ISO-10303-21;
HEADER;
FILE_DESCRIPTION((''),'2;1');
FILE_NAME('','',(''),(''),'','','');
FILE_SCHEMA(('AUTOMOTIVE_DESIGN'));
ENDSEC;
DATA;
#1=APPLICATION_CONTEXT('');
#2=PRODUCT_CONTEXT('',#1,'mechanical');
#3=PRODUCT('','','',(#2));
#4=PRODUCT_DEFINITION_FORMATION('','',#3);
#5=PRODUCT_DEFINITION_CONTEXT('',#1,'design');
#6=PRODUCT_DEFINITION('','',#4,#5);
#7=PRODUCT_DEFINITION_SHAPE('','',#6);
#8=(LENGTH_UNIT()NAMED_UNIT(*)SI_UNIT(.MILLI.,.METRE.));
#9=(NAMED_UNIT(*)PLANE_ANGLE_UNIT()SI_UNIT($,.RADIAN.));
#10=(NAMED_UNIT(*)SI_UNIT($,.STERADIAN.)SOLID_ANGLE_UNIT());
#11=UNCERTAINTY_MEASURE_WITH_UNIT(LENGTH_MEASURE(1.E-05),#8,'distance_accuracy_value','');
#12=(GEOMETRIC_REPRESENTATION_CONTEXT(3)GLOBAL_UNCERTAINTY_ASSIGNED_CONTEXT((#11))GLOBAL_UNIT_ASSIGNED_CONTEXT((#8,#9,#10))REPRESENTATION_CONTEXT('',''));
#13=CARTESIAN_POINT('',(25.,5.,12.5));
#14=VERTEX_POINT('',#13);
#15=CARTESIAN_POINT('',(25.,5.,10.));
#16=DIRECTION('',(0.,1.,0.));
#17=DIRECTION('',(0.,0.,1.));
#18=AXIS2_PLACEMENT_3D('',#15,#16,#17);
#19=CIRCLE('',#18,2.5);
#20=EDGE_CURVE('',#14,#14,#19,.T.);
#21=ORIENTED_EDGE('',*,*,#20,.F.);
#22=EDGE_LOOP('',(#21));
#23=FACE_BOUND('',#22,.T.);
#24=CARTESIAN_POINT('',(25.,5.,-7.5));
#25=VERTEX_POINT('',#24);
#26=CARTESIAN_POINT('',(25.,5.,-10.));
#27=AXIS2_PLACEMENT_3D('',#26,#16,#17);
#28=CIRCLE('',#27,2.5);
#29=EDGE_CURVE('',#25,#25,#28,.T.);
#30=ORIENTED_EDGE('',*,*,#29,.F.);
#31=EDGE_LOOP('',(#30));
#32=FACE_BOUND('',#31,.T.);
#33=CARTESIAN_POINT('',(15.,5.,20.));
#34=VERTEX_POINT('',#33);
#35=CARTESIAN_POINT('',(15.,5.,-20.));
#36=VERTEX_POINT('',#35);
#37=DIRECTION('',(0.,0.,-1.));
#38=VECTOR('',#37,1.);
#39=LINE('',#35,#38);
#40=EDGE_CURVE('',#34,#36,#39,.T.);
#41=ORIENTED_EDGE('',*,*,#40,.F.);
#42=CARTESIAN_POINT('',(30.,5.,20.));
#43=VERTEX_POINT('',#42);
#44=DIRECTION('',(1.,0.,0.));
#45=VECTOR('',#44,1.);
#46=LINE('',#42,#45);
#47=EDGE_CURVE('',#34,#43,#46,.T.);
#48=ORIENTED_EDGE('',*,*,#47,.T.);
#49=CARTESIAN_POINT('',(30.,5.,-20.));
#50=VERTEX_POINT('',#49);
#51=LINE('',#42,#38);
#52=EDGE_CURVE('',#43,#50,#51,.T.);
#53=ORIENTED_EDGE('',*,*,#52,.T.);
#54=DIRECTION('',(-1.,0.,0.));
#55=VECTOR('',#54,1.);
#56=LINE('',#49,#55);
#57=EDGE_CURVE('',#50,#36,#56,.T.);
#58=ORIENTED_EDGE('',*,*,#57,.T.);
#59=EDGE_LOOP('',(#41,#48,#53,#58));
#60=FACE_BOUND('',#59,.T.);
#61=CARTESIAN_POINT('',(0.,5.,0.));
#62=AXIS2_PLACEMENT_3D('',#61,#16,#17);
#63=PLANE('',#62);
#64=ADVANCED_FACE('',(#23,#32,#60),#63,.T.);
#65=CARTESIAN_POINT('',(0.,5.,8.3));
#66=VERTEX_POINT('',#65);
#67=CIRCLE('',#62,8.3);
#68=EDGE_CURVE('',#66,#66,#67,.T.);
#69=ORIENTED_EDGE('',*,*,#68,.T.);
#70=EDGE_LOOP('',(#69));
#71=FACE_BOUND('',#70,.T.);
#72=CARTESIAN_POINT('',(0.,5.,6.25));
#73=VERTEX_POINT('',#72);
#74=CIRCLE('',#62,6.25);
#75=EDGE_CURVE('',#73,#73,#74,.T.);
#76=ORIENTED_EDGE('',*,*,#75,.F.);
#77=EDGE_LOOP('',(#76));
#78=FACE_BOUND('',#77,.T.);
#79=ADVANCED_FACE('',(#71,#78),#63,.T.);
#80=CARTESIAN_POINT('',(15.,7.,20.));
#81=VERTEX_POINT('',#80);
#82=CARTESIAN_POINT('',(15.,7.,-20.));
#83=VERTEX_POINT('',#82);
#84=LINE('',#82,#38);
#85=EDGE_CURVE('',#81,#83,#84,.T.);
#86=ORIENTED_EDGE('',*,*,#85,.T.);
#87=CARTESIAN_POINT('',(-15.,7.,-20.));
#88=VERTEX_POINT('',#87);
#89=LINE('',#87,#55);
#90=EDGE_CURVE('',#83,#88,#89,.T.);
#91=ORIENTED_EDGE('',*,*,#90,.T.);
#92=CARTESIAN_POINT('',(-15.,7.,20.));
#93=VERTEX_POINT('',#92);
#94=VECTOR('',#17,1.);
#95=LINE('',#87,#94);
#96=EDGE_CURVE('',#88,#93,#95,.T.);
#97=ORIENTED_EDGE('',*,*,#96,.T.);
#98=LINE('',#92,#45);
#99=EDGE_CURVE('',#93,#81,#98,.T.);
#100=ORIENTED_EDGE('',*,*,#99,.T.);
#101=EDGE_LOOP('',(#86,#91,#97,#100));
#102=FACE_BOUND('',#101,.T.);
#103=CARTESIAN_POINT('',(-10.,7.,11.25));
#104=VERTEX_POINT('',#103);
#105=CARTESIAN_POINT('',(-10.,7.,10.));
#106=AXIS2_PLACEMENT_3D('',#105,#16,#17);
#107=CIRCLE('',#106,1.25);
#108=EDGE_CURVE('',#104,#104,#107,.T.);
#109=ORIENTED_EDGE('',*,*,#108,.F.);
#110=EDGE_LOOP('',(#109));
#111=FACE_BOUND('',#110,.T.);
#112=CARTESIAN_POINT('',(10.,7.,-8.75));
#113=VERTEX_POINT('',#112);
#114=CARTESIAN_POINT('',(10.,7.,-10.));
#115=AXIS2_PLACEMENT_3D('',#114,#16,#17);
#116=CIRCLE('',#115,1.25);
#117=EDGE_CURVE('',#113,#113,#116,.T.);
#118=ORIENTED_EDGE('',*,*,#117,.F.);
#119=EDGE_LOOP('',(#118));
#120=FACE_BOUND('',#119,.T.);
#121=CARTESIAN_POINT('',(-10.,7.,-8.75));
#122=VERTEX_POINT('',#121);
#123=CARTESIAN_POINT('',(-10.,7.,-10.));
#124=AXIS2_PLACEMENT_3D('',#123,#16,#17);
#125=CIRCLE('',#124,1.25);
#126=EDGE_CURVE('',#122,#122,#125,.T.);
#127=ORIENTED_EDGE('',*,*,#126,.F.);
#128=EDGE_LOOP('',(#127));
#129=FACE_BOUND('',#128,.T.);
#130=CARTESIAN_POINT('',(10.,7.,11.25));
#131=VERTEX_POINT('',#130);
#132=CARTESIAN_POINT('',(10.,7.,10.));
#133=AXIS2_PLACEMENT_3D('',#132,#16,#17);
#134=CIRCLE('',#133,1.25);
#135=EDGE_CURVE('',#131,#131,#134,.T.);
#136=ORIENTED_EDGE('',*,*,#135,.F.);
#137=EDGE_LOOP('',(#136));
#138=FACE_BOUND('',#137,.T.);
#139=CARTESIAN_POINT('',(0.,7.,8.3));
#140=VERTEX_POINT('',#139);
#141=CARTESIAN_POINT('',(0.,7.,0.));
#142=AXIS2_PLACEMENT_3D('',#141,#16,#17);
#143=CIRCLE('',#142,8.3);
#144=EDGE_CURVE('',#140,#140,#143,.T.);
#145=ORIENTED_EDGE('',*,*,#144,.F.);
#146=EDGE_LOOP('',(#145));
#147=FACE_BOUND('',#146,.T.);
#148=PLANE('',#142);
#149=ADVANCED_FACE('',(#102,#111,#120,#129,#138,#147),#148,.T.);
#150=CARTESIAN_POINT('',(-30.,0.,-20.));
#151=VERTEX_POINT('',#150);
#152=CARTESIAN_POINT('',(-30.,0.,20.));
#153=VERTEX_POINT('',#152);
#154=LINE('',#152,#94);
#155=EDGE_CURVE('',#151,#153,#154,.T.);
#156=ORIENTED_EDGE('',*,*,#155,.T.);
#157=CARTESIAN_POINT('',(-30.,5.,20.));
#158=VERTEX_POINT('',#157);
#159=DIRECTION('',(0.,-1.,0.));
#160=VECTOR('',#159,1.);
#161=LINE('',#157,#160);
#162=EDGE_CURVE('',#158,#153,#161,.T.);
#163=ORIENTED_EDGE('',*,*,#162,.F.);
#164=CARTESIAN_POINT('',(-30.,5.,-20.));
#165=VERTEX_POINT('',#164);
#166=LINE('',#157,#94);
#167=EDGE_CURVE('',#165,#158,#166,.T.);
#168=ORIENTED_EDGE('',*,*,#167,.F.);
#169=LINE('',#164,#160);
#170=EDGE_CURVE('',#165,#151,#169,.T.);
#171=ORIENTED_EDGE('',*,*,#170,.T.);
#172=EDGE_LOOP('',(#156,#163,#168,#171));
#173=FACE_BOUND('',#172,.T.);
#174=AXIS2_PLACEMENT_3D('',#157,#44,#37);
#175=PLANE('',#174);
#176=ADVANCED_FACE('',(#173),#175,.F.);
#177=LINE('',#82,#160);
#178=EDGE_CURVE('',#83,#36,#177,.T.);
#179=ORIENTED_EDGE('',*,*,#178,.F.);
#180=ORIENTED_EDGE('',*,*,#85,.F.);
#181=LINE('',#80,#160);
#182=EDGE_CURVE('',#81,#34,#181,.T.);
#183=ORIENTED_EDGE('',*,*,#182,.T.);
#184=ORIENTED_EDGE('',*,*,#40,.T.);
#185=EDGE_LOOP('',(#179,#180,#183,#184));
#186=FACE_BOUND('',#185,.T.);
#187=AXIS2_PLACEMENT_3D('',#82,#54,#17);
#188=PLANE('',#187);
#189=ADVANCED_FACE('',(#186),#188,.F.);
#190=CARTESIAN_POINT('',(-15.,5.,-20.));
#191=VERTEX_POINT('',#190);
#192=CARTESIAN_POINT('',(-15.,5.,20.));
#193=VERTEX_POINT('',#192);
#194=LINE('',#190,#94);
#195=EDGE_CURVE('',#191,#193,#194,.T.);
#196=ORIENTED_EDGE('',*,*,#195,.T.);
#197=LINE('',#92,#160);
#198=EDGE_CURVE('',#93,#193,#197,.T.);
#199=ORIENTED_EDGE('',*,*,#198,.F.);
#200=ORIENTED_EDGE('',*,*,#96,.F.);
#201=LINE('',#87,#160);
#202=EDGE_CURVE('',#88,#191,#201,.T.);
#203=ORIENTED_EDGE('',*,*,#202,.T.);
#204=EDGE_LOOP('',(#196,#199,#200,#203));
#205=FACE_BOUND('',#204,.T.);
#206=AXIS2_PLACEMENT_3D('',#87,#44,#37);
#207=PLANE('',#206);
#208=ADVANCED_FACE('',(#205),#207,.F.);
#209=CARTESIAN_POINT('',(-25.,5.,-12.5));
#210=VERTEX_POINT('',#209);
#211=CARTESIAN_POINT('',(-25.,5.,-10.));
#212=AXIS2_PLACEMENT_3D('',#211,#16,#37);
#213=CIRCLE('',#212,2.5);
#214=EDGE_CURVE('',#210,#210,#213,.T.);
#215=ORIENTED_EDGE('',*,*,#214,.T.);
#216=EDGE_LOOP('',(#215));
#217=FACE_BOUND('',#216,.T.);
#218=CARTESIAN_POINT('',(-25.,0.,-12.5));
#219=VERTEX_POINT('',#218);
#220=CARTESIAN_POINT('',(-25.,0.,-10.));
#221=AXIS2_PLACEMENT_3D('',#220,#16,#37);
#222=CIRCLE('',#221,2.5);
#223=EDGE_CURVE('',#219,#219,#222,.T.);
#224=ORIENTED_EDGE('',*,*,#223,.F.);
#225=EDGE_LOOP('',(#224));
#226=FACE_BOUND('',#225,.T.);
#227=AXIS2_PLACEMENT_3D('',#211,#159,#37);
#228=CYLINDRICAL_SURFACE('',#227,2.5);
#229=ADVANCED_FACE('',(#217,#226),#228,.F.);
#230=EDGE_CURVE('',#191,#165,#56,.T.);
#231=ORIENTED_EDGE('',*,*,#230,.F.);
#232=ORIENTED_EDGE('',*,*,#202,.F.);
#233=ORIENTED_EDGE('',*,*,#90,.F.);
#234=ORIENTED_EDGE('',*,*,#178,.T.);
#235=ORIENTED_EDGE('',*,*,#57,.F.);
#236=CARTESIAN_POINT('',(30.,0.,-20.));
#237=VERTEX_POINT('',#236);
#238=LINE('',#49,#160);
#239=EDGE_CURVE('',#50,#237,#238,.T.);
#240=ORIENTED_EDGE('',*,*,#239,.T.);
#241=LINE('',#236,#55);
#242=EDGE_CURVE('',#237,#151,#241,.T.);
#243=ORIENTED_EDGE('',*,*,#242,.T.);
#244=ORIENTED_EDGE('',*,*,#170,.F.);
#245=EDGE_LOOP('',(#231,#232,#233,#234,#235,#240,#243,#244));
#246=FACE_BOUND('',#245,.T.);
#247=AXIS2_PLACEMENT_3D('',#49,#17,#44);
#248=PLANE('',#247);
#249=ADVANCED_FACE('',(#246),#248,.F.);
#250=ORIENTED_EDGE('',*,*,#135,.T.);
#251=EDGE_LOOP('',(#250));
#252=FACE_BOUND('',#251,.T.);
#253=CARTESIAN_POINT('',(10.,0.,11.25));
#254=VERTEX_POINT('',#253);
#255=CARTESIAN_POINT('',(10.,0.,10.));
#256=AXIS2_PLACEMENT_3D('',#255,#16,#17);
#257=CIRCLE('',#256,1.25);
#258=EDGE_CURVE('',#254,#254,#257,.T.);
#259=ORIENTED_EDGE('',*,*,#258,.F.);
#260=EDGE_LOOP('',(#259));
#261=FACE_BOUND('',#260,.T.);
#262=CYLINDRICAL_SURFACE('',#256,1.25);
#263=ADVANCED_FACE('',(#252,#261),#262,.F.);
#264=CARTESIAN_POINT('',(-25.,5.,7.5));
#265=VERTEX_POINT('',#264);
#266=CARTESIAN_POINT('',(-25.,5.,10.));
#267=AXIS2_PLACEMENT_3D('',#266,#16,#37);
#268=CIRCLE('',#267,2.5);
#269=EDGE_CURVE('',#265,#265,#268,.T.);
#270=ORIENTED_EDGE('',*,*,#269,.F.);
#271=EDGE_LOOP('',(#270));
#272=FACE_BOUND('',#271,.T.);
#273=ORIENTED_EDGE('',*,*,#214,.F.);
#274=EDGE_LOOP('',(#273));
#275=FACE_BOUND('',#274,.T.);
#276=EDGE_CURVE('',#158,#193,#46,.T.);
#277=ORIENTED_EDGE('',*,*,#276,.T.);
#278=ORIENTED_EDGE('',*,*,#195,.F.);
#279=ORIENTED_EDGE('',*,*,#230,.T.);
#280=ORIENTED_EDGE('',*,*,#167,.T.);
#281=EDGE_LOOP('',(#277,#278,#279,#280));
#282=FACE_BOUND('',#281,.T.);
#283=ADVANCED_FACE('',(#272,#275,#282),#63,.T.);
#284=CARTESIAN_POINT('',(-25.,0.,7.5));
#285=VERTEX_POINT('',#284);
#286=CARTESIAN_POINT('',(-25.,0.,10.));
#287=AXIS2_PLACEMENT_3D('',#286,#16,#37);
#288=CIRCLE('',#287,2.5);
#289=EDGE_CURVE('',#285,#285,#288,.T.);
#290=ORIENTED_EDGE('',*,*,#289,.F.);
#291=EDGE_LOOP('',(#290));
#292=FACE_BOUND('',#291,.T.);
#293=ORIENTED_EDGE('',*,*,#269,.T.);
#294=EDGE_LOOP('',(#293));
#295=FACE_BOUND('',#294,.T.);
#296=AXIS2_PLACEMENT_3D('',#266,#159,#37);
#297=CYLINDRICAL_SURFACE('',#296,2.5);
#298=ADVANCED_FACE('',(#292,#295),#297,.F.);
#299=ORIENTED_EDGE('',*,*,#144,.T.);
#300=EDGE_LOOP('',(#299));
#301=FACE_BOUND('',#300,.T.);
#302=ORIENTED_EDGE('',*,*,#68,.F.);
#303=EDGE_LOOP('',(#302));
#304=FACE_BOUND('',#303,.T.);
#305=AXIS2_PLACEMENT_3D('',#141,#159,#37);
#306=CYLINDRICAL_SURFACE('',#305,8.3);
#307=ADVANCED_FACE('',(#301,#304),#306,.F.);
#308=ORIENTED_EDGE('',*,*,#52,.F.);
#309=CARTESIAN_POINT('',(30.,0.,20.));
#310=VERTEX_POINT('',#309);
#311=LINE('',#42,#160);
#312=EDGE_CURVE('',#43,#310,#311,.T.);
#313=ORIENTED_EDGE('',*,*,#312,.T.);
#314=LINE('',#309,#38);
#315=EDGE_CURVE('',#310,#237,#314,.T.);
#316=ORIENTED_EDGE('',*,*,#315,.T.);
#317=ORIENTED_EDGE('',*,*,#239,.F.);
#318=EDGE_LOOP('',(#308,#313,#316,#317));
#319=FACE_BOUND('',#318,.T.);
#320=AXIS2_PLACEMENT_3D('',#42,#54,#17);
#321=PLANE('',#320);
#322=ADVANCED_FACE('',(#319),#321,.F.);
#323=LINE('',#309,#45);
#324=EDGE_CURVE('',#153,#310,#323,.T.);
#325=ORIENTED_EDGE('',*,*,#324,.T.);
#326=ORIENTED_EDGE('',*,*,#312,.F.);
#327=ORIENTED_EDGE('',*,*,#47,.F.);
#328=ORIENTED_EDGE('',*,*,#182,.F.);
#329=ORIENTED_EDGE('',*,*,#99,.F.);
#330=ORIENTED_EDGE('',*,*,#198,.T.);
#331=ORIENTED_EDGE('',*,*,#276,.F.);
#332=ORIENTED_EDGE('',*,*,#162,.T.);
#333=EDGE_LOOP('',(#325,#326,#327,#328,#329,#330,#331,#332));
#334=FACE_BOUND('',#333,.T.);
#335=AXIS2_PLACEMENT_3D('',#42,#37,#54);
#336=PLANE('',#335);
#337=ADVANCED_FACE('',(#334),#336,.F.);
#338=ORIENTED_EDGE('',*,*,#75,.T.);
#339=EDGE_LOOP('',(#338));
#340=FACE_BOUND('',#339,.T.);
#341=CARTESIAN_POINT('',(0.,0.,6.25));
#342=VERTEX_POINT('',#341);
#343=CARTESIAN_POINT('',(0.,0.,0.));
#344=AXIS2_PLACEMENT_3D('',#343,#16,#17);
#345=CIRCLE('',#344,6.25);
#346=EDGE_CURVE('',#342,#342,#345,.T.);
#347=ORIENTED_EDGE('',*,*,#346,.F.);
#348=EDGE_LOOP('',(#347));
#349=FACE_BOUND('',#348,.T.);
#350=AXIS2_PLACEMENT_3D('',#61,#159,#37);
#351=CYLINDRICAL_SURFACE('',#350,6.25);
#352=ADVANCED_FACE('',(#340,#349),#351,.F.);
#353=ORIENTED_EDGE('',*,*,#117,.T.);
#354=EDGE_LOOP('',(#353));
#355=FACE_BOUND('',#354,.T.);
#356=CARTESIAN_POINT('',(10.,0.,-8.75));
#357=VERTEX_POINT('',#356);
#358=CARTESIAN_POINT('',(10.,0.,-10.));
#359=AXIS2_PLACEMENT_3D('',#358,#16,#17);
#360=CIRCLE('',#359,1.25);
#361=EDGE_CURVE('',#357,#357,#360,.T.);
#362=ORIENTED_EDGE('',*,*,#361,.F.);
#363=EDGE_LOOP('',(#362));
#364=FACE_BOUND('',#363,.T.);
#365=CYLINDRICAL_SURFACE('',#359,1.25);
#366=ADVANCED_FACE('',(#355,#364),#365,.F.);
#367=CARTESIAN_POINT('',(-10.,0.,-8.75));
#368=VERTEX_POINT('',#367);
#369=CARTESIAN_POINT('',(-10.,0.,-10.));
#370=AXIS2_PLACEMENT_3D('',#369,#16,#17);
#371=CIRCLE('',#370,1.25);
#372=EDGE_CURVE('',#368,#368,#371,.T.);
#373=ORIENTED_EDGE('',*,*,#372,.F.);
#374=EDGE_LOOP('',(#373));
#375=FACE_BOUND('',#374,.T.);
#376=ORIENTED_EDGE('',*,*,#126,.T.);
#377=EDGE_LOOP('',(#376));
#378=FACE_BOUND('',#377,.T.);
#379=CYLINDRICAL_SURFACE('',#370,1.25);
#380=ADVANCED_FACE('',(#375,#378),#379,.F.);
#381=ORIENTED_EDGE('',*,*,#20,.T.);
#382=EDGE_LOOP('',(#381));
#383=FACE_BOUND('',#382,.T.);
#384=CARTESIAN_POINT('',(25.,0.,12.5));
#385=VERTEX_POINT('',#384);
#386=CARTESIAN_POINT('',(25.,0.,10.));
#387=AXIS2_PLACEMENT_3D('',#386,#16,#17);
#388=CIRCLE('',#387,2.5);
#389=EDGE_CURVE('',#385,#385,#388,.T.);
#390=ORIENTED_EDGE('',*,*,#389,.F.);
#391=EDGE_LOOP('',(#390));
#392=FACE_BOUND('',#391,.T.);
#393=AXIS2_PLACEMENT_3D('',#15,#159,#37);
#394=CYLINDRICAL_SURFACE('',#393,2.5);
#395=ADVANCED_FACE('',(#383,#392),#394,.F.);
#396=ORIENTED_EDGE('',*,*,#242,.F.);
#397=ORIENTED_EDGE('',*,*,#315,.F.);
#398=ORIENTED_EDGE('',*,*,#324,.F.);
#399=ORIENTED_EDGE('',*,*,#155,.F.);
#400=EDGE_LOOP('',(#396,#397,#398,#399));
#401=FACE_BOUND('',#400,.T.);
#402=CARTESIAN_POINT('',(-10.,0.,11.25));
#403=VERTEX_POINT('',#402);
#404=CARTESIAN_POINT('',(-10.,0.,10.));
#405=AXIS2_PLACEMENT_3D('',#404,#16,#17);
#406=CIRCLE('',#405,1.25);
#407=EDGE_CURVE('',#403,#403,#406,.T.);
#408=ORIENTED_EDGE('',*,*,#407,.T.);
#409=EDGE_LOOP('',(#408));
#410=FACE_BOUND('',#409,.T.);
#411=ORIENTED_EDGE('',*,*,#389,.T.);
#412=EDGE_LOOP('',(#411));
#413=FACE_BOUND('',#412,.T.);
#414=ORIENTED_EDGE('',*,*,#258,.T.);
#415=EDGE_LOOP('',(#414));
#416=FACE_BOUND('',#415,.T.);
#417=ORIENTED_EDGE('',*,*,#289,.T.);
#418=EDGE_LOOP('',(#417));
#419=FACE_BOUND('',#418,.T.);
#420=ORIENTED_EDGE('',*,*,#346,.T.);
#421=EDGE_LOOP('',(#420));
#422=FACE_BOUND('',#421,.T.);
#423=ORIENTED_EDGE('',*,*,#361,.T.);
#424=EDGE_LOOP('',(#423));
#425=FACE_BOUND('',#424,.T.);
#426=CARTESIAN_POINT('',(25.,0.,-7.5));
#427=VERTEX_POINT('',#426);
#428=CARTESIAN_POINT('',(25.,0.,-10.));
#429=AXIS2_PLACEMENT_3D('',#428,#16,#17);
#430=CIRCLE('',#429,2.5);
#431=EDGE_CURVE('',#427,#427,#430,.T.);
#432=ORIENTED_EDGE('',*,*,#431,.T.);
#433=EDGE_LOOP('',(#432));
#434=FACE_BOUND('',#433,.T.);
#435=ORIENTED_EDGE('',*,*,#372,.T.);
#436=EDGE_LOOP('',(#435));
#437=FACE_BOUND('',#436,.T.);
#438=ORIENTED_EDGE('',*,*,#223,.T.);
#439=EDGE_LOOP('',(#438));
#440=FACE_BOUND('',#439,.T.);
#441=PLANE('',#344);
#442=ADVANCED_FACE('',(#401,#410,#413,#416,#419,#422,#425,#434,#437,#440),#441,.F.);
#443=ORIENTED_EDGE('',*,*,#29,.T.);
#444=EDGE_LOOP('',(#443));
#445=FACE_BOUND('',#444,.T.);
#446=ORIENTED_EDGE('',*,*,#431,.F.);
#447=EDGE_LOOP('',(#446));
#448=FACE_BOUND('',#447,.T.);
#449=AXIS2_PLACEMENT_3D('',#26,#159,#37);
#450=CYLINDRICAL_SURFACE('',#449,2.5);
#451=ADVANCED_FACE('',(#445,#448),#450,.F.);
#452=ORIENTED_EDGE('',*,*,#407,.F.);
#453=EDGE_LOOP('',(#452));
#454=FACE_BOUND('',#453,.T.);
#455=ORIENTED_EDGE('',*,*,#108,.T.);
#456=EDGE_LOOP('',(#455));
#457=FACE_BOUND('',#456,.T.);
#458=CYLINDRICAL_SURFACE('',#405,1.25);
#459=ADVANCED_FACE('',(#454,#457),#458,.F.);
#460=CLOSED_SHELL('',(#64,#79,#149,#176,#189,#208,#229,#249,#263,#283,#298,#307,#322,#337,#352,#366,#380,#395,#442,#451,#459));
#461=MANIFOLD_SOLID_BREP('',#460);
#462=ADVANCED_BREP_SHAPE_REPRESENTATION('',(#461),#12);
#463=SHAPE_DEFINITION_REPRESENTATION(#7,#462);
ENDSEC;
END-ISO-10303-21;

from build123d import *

# Parameters (mm, degrees)
SKETCH1_W            = 60
SKETCH1_H            = 40
SKETCH1_R            = 2.5
SKETCH1_R_2          = 6.25
BODY_DEPTH           = 5
SKETCH3_W            = 30
SKETCH3_H            = 40
SKETCH3_R            = 8.3
BEARING_PLACE_DEPTH  = 2
SKETCH4_R            = 1.25
FIXATION_HOLES_DEPTH = 37.728735344


with BuildPart() as part:
    # Sketch1 → Body (new body)
    with BuildSketch(Plane(origin=(0, 0, 0), x_dir=(1, 0, 0), z_dir=(0, 1, 0))):
        Rectangle(SKETCH1_W, SKETCH1_H)
        with Locations(Location((25, 10, 0), (0, 0, 270))):
            Circle(SKETCH1_R, mode=Mode.SUBTRACT)
        with Locations(Location((25, -10, 0), (0, 0, 270))):
            Circle(SKETCH1_R, mode=Mode.SUBTRACT)
        with Locations(Location((0, 0, 0), (0, 0, 270))):
            Circle(SKETCH1_R_2, mode=Mode.SUBTRACT)
        with Locations(Location((-25, -10, 0), (0, 0, 90))):
            Circle(SKETCH1_R, mode=Mode.SUBTRACT)
        with Locations(Location((-25, 10, 0), (0, 0, 90))):
            Circle(SKETCH1_R, mode=Mode.SUBTRACT)
    extrude(amount=BODY_DEPTH)

    # Sketch3 → Bearing_Place (add)
    with BuildSketch(Plane(origin=(0, 5, 0), x_dir=(1, 0, 0), z_dir=(0, 1, 0))):
        Rectangle(SKETCH3_W, SKETCH3_H)
        with Locations(Location((0, 0, 0), (0, 0, 270))):
            Circle(SKETCH3_R, mode=Mode.SUBTRACT)
    extrude(amount=BEARING_PLACE_DEPTH)

    # Sketch4 → Fixation_Holes (cut, through all)
    with BuildSketch(Plane(origin=(0, 7, 0), x_dir=(1, 0, 0), z_dir=(0, 1, 0))):
        with Locations(Location((-10, 10, 0), (0, 0, 270))):
            Circle(SKETCH4_R)
        with Locations(Location((10, 10, 0), (0, 0, 270))):
            Circle(SKETCH4_R)
        with Locations(Location((10, -10, 0), (0, 0, 270))):
            Circle(SKETCH4_R)
        with Locations(Location((-10, -10, 0), (0, 0, 270))):
            Circle(SKETCH4_R)
    extrude(amount=-FIXATION_HOLES_DEPTH, mode=Mode.SUBTRACT)


solid = part.part
